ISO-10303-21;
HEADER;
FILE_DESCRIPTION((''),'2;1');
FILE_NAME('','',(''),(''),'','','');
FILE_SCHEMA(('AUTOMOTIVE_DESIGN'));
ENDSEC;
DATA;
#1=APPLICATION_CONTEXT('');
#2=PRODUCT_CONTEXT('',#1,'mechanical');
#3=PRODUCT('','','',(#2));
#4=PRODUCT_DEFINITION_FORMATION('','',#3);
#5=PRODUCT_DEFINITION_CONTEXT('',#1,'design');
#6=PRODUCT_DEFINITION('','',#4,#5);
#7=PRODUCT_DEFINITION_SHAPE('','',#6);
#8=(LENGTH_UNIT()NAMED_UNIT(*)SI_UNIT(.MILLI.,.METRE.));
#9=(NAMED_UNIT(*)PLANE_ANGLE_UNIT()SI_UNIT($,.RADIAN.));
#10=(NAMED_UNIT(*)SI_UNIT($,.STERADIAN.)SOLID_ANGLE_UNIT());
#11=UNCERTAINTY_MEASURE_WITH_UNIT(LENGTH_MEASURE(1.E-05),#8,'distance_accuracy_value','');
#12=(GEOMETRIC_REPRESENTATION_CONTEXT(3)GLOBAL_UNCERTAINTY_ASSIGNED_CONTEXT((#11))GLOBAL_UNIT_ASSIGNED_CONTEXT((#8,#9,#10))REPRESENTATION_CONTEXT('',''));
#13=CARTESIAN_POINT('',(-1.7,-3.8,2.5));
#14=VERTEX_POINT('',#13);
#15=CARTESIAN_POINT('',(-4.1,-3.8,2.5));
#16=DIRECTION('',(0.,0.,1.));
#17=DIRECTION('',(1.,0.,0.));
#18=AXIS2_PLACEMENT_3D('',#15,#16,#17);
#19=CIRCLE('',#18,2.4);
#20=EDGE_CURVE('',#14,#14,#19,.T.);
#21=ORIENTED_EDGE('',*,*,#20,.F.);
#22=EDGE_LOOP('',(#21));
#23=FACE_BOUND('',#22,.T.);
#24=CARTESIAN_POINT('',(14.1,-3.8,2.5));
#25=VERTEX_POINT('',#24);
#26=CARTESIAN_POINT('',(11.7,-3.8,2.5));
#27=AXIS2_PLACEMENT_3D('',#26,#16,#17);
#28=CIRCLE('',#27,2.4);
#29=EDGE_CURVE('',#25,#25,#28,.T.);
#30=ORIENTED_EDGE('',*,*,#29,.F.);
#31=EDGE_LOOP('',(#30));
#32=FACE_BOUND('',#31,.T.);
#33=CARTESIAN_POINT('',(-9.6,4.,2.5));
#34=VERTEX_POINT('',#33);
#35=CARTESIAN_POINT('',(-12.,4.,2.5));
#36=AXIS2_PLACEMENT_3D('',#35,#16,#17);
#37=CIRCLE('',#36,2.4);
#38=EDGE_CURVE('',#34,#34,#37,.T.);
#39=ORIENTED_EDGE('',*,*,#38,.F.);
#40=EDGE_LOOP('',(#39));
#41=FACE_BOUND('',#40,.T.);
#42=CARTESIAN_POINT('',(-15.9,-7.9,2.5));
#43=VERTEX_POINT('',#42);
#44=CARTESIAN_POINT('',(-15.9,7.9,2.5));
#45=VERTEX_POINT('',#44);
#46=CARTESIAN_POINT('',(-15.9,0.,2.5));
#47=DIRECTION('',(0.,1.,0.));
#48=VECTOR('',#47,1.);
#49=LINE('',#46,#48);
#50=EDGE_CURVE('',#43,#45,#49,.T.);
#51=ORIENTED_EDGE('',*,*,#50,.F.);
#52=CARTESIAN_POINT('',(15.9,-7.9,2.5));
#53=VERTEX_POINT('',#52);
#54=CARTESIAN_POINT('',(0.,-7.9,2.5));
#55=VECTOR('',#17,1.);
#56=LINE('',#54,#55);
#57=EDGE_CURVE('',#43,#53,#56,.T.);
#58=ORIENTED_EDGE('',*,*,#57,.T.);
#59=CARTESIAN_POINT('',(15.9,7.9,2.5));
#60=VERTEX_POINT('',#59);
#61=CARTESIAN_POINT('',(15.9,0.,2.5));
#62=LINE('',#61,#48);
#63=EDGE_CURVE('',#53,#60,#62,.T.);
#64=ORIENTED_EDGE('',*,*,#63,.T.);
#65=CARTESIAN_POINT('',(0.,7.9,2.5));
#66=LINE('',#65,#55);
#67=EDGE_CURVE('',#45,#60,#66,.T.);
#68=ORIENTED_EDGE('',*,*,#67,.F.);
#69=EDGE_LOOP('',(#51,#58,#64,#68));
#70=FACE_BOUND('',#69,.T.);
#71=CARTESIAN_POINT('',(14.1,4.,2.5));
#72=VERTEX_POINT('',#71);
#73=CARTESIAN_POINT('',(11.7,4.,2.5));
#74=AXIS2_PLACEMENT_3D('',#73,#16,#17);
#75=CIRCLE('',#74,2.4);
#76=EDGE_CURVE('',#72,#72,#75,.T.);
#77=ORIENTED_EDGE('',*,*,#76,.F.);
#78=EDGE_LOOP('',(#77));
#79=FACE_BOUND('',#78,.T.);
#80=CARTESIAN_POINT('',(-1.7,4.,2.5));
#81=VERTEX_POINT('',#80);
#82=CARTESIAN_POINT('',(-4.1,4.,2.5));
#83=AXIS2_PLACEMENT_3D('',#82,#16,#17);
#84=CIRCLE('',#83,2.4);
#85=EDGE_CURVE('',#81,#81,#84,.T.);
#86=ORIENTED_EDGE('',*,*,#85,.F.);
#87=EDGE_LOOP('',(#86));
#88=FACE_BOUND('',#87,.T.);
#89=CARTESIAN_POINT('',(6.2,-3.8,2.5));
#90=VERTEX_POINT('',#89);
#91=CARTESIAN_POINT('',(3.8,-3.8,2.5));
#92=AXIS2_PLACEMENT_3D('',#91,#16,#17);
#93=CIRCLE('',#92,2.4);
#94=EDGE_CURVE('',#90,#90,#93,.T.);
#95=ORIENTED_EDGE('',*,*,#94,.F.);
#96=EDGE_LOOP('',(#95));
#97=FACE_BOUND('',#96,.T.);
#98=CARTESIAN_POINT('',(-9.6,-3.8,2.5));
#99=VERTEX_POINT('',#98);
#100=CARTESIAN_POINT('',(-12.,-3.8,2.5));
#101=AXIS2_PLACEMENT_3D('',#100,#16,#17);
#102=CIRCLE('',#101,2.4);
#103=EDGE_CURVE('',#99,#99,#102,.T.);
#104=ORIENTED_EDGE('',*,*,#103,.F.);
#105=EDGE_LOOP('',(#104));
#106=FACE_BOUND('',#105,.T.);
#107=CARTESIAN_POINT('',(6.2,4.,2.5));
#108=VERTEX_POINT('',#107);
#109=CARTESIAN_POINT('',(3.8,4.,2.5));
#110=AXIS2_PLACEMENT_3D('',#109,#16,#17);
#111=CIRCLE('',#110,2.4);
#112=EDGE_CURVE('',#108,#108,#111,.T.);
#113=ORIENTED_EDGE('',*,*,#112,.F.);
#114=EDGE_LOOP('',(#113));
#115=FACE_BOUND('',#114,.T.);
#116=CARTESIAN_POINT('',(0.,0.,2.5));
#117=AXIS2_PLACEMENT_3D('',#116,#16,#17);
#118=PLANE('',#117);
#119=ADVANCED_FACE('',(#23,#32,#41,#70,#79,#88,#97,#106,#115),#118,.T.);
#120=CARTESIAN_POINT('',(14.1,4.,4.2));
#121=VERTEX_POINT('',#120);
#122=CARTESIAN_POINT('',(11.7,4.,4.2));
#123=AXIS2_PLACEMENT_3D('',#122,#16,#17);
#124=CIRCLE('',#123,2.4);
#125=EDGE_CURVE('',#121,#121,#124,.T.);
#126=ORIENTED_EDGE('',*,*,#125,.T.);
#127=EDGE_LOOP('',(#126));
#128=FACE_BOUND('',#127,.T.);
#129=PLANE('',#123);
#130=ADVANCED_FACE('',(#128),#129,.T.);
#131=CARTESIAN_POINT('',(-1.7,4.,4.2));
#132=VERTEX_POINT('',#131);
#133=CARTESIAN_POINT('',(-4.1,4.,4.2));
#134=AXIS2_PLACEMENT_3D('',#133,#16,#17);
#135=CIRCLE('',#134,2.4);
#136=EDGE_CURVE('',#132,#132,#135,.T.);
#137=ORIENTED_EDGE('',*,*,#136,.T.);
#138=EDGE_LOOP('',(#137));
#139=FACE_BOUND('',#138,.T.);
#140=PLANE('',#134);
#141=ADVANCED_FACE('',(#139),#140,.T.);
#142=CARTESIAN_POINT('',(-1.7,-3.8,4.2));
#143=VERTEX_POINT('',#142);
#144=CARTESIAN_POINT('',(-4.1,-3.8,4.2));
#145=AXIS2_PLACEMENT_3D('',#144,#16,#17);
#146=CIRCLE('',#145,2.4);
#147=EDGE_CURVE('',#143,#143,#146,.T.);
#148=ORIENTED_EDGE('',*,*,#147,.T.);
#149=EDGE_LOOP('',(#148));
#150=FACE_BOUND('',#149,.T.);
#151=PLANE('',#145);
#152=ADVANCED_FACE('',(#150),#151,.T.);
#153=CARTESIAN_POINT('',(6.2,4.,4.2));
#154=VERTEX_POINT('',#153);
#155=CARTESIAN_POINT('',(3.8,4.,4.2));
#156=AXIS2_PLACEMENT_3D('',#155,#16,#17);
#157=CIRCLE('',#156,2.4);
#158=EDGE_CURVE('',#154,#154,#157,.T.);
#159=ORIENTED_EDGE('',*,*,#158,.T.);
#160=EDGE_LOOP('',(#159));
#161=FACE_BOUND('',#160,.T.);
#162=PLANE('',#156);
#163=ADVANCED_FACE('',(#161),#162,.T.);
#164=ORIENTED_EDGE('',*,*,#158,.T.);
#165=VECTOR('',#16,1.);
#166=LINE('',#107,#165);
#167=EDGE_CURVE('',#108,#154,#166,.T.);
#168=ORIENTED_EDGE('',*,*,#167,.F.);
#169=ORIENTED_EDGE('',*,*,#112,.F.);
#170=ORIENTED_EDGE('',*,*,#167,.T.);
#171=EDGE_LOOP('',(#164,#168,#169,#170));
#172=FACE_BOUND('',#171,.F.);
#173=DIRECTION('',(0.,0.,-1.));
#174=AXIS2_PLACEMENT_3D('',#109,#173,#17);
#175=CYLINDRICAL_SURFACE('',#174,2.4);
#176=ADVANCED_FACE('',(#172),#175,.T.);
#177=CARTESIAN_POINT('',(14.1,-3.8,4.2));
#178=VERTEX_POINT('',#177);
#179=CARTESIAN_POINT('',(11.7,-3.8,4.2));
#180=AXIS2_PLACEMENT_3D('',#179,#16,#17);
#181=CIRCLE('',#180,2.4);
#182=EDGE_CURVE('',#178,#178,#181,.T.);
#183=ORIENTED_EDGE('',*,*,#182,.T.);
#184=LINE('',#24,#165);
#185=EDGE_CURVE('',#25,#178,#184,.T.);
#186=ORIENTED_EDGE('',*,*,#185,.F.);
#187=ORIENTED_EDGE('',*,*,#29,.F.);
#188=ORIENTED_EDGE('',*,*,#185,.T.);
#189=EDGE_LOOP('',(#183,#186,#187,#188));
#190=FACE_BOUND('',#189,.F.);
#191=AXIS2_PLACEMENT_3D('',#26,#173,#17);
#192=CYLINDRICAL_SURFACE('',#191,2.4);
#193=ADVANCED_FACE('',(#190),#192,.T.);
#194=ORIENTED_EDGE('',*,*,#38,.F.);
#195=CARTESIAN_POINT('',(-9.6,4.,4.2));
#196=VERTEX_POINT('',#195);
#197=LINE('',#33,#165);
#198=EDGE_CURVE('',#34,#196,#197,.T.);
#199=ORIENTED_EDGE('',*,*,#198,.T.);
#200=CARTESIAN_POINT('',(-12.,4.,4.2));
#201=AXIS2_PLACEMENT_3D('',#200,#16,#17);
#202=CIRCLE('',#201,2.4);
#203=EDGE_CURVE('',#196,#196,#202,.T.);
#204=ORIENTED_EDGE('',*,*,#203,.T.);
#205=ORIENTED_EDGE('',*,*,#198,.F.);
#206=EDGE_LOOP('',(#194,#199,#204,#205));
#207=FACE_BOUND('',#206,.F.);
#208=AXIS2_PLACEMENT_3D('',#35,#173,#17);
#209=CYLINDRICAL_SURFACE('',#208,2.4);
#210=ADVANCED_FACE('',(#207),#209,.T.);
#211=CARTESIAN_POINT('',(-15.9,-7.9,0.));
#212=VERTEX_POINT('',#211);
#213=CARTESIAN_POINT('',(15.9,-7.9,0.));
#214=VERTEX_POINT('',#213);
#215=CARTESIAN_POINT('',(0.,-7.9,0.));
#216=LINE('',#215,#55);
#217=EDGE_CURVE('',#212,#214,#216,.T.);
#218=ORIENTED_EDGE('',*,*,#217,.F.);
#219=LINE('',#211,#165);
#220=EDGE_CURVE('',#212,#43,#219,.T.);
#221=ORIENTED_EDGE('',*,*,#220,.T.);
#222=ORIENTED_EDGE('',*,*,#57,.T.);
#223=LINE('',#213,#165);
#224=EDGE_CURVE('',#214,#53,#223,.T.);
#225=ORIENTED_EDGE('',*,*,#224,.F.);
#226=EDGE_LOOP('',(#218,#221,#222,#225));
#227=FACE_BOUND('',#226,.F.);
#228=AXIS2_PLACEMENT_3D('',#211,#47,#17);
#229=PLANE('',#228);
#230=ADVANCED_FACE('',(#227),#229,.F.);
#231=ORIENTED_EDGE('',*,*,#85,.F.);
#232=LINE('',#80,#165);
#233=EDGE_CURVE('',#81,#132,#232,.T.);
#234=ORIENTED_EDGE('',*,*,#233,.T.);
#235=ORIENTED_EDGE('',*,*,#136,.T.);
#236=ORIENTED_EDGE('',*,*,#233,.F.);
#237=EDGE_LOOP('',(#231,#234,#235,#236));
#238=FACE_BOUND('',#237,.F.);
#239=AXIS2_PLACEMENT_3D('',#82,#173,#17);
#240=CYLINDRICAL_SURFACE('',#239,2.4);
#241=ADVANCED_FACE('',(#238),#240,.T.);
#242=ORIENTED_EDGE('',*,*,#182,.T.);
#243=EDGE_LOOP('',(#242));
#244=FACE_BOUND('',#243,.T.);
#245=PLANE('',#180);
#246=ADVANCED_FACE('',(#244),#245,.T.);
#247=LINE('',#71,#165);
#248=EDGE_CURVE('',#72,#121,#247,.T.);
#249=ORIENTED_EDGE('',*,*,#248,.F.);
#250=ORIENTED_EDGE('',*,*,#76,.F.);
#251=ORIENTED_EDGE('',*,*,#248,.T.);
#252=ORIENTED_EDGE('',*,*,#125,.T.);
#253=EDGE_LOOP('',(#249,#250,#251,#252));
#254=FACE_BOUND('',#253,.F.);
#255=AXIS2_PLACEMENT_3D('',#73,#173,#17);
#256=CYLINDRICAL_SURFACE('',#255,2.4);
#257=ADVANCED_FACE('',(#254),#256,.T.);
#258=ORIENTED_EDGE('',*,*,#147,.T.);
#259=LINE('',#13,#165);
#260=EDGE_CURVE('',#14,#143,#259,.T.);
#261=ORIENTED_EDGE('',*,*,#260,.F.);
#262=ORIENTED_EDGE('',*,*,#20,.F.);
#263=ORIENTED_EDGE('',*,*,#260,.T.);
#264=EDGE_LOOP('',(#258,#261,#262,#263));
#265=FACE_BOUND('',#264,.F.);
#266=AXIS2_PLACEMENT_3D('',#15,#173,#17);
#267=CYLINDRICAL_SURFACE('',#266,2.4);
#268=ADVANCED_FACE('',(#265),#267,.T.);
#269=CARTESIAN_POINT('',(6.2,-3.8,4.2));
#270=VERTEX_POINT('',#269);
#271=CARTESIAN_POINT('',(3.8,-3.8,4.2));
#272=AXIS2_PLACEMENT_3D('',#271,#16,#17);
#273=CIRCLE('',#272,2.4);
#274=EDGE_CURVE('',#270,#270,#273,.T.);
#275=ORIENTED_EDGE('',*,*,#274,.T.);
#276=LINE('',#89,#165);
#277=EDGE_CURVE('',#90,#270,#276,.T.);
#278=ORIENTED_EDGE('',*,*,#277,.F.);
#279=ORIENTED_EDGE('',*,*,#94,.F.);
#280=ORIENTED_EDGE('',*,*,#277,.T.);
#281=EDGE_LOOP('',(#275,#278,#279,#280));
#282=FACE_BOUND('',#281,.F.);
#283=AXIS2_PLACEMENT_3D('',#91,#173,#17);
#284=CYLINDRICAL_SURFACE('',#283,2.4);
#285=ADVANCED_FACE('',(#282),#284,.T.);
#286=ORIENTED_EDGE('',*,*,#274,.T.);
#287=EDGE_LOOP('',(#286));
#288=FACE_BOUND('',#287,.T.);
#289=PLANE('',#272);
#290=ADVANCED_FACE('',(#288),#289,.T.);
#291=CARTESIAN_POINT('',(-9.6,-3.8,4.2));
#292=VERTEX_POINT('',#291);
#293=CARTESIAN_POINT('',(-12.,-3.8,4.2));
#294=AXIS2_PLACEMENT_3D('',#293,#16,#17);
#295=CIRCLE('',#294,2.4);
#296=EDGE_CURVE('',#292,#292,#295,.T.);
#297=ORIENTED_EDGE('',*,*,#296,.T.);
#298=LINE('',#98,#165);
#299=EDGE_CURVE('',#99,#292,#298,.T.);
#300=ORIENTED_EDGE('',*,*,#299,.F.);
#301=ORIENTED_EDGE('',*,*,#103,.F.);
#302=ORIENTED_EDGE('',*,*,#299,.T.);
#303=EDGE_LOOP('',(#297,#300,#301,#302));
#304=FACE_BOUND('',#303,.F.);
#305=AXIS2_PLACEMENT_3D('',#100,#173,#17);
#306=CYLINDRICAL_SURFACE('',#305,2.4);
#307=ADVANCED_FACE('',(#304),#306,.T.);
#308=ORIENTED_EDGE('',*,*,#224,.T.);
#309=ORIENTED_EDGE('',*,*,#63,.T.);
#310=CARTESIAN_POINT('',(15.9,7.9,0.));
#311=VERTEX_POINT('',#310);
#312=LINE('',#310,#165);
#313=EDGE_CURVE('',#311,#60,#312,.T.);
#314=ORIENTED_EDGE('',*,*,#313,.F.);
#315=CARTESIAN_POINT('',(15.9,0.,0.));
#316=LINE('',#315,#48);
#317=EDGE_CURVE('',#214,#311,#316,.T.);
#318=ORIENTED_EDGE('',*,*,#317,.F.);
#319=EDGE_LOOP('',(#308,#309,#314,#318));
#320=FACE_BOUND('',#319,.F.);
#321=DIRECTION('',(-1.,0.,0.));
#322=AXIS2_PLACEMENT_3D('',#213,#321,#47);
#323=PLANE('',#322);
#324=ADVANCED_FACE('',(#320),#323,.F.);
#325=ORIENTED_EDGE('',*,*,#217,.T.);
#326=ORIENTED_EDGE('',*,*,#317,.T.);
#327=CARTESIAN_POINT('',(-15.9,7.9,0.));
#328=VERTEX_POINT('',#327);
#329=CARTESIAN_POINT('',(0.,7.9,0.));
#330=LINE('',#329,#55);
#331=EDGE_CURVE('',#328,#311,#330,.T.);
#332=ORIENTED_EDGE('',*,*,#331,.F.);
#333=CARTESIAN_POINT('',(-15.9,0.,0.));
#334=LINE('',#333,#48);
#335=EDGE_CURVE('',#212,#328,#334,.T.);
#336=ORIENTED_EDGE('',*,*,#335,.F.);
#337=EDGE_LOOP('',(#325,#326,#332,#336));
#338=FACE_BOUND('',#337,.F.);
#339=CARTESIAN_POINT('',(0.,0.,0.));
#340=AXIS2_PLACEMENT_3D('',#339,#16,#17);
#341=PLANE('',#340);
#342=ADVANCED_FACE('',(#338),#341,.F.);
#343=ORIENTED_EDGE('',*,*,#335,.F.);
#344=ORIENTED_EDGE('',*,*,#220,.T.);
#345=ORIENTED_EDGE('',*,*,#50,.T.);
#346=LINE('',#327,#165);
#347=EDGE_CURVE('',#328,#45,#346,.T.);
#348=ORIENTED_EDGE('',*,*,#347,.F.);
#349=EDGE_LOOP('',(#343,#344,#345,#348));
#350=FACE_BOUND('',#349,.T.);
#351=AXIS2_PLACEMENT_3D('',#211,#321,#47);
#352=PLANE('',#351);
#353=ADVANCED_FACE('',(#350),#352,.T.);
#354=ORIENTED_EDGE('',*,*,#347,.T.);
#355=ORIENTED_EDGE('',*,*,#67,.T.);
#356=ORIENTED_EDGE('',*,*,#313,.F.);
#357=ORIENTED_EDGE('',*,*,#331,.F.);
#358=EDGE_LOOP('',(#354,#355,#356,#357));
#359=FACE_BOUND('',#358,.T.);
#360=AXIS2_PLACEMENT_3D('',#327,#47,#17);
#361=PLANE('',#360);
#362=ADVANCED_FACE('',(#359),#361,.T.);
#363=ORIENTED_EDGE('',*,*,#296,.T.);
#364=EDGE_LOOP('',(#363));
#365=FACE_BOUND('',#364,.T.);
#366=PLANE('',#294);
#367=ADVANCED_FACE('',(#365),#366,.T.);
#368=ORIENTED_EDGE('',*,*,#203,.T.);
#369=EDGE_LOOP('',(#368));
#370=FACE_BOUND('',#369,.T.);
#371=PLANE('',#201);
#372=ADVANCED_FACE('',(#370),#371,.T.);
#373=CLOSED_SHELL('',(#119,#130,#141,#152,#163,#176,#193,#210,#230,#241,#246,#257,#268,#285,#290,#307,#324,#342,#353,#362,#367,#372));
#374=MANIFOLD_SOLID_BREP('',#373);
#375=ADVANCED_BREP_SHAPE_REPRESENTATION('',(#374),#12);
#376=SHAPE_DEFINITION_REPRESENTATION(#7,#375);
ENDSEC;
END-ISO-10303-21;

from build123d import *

# Parameters (mm, degrees)
F0_W     = 31.8
F0_H     = 15.8
F1_DEPTH = 2.5
F2_R     = 2.4
F3_DEPTH = 1.7


with BuildPart() as f1:
    # F0 (on Top) → F1 (new body)
    with BuildSketch(Plane.XY):
        Rectangle(F0_W, F0_H)
    extrude(amount=F1_DEPTH)

    # F2 (on face) → F3 (join)
    with BuildSketch(Plane.XY.offset(2.5)):
        with Locations((-12, 4)):
            Circle(F2_R)
        with Locations((-12, -3.8)):
            Circle(F2_R)
        with Locations((-4.1, -3.8)):
            Circle(F2_R)
        with Locations((-4.1, 4)):
            Circle(F2_R)
        with Locations((3.8, 4)):
            Circle(F2_R)
        with Locations((11.7, -3.8)):
            Circle(F2_R)
        with Locations((11.7, 4)):
            Circle(F2_R)
        with Locations((3.8, -3.8)):
            Circle(F2_R)
    extrude(amount=F3_DEPTH)


solid = f1.part
